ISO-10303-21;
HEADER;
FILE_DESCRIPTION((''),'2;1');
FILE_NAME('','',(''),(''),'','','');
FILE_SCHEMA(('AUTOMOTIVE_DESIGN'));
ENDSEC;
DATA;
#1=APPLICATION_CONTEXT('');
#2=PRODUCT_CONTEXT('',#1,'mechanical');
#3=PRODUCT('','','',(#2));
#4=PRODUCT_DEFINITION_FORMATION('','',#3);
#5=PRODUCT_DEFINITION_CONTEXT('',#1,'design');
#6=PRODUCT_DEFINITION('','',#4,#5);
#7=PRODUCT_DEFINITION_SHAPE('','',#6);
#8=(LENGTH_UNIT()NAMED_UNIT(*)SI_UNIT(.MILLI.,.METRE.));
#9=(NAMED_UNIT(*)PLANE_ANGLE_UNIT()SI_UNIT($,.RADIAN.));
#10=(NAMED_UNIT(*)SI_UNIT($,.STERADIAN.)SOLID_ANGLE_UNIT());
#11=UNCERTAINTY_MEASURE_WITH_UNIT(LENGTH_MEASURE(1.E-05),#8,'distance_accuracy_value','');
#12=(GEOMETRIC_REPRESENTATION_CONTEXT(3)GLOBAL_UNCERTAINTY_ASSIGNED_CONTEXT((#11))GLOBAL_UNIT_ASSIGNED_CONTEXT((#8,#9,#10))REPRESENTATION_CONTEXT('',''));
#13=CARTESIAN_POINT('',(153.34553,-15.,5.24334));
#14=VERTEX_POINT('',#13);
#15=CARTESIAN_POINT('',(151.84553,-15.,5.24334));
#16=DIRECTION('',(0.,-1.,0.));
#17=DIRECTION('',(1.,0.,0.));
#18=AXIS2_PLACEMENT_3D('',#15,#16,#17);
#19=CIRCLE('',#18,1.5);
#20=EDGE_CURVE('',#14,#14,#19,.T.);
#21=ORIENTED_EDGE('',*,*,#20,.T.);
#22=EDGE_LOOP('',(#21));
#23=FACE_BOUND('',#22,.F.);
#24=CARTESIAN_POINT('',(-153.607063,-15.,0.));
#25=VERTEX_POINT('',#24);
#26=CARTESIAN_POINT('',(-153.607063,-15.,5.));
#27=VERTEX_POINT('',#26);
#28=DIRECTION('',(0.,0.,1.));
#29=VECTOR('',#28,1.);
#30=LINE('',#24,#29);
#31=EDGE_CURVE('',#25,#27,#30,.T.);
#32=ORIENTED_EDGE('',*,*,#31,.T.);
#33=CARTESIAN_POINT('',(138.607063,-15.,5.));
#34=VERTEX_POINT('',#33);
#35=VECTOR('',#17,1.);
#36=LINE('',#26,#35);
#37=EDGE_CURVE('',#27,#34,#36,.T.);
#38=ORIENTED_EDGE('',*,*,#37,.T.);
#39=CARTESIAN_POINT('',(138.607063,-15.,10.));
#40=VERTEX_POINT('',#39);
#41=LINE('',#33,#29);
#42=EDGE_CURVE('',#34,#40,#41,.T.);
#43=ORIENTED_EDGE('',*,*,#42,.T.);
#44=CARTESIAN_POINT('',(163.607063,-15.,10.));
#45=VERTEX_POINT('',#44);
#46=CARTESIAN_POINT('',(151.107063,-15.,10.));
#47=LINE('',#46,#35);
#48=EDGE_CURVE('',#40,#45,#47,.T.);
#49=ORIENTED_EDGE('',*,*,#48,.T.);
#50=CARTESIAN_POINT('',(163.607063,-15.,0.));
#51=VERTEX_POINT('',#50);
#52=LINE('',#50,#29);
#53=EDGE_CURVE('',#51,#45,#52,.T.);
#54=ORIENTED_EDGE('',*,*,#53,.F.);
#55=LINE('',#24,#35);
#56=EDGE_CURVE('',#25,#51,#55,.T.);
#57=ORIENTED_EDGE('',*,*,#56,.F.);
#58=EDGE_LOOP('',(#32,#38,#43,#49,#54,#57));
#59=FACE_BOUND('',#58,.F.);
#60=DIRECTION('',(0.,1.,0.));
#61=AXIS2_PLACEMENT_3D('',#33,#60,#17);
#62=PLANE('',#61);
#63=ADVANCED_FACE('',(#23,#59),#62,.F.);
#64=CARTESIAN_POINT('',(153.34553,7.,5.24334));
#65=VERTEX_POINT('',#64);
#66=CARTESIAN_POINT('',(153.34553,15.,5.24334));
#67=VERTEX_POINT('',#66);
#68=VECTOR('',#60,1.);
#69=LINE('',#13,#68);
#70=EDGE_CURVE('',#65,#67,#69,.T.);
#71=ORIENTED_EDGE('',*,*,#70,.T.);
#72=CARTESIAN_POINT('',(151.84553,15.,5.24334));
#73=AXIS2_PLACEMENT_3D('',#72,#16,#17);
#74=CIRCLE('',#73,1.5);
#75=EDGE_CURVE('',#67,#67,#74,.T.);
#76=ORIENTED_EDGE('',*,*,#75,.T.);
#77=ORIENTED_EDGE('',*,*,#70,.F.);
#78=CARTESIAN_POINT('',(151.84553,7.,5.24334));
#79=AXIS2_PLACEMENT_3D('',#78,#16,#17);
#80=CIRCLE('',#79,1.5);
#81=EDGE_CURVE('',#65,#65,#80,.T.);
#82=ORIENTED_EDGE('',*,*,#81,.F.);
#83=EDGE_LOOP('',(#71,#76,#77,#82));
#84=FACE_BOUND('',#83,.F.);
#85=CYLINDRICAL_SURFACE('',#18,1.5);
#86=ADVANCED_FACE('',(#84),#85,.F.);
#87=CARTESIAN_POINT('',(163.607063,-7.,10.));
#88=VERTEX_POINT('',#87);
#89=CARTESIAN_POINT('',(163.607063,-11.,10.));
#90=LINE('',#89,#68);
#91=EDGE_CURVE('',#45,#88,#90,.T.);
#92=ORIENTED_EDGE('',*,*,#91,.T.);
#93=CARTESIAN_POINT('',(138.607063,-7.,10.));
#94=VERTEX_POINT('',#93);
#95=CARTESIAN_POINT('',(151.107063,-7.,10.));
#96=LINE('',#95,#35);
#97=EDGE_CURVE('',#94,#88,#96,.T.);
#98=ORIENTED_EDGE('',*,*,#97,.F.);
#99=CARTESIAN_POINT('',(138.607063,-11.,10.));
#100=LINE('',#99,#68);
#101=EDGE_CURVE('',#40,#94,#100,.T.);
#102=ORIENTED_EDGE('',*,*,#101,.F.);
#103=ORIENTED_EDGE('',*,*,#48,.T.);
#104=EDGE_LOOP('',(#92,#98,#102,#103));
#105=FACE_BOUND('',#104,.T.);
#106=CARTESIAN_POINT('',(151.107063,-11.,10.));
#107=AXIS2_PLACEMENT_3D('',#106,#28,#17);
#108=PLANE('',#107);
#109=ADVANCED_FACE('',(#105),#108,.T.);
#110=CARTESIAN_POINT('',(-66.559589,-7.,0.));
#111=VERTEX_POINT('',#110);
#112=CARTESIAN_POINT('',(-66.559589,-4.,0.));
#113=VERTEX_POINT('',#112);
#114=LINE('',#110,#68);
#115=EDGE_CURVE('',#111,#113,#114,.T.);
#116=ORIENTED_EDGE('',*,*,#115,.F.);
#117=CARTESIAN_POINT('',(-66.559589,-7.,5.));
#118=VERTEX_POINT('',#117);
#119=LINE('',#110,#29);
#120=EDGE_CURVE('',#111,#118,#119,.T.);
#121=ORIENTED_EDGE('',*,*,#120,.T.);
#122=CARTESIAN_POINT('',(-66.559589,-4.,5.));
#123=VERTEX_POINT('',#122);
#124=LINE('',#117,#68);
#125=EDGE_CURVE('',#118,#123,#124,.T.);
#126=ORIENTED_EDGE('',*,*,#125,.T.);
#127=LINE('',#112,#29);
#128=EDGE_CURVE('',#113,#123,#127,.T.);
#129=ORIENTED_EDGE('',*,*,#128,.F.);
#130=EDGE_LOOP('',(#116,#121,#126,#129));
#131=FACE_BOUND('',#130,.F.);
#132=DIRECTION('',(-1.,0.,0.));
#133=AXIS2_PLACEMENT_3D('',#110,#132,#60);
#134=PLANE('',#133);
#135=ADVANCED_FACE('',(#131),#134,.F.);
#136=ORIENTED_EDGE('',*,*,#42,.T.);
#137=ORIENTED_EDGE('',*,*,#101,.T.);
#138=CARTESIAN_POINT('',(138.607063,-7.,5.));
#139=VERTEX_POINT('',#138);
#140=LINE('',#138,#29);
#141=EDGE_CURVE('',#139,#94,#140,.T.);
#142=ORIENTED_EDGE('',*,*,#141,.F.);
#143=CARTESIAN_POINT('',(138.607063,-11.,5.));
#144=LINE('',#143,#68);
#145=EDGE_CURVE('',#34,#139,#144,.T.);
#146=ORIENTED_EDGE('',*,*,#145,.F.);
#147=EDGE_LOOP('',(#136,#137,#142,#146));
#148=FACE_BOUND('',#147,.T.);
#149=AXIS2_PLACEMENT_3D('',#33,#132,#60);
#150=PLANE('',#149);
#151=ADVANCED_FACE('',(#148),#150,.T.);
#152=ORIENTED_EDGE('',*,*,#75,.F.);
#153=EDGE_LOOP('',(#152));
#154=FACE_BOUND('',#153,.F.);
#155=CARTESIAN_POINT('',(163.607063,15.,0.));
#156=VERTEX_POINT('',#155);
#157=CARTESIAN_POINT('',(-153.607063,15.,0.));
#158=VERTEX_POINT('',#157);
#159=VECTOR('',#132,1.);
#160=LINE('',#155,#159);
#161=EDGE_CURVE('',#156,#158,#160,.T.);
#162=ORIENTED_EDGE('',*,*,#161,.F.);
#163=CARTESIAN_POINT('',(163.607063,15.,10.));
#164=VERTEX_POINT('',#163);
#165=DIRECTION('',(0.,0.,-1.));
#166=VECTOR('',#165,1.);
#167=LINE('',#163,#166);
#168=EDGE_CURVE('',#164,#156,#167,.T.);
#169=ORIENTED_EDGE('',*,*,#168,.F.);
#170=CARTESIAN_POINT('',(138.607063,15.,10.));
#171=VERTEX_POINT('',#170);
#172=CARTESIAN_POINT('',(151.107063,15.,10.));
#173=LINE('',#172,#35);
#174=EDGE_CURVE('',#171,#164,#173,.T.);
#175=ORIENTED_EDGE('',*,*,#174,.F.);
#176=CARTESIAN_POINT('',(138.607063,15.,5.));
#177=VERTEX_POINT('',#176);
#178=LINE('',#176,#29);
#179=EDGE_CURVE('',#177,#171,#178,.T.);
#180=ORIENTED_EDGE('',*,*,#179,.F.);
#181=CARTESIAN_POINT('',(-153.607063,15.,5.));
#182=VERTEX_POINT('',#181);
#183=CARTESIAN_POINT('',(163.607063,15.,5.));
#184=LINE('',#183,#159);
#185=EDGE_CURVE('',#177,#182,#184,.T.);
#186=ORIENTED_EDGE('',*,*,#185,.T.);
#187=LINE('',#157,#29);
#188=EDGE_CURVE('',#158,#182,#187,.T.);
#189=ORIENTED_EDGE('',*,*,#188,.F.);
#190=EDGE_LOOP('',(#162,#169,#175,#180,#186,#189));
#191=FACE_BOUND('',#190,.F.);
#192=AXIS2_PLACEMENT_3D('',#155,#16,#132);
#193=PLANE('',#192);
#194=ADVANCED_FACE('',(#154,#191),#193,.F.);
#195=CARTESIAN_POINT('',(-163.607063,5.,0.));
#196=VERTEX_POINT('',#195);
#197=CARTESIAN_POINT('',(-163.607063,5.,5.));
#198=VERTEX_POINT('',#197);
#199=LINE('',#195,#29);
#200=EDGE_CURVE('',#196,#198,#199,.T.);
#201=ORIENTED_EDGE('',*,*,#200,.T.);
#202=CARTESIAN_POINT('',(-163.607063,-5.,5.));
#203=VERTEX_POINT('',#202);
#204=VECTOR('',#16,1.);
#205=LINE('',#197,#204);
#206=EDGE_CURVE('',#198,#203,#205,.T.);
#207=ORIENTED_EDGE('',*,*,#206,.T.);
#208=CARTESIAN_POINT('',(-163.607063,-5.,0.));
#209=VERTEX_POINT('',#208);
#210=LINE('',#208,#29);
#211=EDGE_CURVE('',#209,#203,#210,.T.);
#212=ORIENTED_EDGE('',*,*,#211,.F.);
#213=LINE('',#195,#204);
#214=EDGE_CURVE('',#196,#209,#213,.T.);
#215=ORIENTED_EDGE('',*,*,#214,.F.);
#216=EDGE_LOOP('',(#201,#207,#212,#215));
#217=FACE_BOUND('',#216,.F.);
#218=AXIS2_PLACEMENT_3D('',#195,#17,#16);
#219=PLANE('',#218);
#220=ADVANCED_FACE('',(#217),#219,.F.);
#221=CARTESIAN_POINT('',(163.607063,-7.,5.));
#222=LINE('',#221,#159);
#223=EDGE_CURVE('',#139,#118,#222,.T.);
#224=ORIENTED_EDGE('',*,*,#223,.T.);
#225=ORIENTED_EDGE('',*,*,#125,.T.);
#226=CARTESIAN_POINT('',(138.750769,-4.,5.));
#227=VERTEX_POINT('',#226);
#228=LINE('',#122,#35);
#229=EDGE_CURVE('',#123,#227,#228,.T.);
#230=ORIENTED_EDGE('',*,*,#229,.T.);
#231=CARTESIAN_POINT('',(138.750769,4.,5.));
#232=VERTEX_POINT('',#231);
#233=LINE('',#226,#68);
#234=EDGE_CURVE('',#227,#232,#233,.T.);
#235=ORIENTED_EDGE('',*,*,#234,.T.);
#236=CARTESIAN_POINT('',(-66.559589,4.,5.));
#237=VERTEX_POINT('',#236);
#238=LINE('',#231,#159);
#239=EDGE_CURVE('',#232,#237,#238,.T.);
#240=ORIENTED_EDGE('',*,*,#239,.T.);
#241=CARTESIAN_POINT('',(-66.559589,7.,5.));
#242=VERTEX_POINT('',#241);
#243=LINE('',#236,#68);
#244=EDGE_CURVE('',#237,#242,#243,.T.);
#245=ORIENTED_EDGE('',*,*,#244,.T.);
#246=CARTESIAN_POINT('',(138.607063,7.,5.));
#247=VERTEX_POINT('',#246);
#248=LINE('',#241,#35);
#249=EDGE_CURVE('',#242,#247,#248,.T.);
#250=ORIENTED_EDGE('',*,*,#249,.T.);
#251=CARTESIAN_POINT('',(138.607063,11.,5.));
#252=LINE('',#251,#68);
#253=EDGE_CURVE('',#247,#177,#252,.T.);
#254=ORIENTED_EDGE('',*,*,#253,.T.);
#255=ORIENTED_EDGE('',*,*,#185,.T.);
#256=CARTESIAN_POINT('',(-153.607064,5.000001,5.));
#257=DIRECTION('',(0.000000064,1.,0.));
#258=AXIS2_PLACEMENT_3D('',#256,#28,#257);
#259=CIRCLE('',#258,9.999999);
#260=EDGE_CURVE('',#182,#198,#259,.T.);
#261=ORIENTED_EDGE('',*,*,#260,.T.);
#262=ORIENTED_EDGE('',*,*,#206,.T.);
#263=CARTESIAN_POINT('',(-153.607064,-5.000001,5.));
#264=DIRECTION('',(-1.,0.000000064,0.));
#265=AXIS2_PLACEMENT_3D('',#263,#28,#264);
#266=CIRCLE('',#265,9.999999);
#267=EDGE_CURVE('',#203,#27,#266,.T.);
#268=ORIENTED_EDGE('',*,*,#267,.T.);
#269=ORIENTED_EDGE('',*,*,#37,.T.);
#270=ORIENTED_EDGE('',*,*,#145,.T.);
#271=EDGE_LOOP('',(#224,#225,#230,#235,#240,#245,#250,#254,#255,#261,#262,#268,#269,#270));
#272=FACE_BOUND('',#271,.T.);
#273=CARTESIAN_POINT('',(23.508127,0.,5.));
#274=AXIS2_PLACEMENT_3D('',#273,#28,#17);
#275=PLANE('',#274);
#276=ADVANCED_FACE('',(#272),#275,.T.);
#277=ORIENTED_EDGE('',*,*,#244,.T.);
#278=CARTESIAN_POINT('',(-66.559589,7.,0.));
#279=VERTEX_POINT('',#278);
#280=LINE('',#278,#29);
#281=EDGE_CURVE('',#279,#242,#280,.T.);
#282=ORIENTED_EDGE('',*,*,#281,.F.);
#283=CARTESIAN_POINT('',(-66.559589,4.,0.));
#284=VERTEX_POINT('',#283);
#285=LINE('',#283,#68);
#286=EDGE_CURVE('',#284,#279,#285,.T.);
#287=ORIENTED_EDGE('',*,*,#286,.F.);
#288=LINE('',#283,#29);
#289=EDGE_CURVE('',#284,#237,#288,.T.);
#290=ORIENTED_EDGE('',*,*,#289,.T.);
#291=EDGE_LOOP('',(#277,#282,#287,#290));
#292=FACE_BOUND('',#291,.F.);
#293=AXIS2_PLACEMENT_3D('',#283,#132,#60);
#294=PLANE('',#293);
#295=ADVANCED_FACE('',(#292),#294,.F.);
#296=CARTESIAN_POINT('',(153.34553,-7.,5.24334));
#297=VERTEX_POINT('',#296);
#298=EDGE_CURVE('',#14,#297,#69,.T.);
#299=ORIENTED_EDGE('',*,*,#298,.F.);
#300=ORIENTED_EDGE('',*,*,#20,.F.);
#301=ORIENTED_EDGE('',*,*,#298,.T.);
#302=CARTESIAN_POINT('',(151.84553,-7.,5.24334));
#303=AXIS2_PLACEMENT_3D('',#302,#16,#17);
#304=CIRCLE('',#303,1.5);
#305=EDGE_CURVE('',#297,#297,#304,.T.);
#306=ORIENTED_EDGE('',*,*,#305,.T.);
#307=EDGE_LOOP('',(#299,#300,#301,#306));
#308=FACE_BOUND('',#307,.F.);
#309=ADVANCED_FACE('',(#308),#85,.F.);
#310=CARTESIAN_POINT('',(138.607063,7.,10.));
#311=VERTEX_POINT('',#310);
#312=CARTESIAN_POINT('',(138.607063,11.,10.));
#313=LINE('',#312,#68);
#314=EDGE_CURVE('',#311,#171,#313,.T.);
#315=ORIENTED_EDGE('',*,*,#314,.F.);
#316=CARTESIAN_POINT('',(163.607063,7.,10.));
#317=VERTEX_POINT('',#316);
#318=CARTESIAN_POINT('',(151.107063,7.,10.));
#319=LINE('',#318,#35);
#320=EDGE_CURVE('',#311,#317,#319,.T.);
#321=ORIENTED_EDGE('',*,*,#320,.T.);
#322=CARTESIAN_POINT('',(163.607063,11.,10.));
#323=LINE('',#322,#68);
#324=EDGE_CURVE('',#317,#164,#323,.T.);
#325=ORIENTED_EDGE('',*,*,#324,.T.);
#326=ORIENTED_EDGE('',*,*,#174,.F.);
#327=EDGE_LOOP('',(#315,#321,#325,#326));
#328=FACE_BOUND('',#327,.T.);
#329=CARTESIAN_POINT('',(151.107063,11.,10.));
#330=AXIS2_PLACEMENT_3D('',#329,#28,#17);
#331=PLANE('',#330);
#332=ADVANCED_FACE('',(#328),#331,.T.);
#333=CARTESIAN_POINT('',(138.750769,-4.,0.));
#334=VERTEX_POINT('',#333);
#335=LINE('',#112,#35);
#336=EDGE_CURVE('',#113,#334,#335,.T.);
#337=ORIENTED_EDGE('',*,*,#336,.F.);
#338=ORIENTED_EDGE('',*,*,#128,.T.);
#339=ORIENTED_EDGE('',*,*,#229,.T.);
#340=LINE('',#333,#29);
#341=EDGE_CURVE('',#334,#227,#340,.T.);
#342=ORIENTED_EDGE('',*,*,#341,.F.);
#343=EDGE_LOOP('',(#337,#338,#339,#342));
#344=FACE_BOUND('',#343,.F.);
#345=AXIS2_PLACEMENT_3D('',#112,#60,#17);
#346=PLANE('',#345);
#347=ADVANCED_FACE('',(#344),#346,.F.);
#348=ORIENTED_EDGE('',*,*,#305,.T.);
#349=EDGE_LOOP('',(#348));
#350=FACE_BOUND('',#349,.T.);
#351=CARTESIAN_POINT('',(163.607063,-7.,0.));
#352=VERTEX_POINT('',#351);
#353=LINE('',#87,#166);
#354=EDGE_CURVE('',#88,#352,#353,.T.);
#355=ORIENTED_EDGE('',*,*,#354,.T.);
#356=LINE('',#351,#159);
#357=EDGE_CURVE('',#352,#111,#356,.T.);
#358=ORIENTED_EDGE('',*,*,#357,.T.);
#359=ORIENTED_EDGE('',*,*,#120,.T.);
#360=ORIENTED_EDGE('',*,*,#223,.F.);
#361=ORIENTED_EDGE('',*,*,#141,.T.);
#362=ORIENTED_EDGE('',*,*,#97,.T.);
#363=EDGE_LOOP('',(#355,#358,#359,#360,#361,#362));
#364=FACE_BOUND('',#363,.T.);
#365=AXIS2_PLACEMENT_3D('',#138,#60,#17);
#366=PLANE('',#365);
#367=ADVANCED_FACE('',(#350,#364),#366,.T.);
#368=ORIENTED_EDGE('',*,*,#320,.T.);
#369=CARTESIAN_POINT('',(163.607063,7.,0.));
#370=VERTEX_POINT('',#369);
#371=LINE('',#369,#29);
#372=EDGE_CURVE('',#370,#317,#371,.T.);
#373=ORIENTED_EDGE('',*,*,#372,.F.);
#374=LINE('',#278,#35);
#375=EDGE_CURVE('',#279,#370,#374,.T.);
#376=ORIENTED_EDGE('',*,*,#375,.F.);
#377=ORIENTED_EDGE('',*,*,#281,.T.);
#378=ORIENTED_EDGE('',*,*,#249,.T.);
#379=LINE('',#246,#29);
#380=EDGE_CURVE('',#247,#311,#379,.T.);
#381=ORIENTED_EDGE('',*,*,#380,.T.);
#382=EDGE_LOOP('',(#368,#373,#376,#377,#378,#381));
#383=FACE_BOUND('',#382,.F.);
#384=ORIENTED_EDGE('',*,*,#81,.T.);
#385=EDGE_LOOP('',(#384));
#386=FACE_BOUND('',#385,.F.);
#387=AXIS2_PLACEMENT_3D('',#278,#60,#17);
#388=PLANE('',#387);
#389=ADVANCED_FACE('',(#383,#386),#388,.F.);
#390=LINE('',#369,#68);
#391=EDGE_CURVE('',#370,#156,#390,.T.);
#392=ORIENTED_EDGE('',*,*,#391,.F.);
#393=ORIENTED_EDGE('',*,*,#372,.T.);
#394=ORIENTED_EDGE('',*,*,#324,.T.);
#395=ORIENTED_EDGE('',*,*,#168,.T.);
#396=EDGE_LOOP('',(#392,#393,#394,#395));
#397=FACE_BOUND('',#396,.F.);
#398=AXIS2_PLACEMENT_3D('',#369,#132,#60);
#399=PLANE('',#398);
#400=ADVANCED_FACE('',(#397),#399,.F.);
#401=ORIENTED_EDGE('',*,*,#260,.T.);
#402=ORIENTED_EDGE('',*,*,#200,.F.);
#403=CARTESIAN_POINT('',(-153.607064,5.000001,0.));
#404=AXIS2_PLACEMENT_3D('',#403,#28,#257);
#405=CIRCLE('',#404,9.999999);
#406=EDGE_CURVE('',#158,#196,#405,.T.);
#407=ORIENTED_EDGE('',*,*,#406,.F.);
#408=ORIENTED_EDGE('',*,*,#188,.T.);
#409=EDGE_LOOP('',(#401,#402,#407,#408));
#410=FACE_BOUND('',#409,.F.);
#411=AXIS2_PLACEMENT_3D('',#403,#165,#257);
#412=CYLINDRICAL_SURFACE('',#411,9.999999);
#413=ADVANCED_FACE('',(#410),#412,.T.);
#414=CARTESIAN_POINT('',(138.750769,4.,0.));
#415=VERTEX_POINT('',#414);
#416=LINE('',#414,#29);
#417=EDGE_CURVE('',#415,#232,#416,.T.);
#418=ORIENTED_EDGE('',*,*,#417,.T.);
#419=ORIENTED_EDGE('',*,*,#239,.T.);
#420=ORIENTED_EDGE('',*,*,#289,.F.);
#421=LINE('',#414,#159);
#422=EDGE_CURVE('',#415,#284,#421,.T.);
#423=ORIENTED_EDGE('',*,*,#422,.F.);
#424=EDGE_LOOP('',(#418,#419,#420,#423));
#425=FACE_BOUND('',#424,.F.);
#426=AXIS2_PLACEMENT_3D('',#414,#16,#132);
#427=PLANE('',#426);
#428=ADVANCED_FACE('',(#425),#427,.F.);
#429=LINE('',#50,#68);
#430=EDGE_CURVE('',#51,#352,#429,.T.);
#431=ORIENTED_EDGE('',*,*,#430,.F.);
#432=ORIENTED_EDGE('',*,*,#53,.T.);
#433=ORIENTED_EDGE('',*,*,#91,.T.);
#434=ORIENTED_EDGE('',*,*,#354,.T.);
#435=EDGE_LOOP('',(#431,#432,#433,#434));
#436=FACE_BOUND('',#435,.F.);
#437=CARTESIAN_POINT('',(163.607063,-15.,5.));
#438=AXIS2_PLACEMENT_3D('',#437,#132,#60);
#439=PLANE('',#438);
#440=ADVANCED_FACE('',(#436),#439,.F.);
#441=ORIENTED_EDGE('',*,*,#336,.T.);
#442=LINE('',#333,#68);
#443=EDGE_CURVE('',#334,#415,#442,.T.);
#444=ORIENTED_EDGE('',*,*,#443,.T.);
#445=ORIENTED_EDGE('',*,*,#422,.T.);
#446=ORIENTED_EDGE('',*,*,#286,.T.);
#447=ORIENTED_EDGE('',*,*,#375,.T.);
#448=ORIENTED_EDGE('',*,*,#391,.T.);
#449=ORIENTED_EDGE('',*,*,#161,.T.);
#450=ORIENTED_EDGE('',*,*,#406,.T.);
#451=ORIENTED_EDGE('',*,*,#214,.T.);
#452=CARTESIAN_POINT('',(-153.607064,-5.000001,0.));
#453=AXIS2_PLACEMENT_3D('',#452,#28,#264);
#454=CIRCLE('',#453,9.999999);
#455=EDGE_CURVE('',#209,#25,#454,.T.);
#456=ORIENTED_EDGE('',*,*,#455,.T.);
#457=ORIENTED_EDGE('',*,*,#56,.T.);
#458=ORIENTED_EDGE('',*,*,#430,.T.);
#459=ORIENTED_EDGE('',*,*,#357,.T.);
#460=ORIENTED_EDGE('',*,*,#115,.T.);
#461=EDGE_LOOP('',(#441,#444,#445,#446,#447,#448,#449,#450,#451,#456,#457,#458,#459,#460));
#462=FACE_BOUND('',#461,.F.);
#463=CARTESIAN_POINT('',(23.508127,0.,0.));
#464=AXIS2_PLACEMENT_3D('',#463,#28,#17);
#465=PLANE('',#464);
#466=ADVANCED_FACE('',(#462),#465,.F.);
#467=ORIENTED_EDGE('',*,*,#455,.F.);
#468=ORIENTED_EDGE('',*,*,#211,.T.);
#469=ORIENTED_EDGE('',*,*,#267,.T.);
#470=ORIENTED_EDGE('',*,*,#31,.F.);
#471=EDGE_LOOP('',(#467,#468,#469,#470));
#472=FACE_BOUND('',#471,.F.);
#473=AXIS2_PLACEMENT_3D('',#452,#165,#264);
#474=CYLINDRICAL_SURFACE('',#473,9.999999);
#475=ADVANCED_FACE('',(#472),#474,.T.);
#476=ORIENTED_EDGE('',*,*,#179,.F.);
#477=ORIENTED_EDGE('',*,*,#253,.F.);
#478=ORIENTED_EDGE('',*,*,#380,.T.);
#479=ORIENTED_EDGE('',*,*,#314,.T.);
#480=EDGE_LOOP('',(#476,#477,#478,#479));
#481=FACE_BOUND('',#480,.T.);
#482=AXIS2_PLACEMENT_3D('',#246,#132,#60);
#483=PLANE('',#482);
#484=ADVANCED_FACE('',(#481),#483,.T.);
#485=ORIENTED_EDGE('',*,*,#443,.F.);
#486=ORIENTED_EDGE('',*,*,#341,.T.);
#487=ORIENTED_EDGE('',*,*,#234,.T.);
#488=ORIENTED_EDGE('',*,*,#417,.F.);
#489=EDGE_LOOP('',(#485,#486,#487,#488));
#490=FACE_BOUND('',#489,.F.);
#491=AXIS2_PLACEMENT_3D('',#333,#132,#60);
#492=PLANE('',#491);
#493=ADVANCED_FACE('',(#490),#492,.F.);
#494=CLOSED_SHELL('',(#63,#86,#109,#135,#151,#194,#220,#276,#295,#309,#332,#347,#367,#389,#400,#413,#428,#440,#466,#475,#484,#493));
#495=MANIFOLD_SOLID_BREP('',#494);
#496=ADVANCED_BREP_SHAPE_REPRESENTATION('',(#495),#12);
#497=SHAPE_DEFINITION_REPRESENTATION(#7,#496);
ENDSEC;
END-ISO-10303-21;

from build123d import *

# Parameters (mm, degrees)
F1_DEPTH = 5
F2_W     = 25
F2_H     = 8
F3_DEPTH = 5
F4_R     = 1.5
F5_DEPTH = 30.3


with BuildPart() as f1:
    # F0 (on Top) → F1 (new body)
    with BuildSketch(Plane.XY):
        with BuildLine():
            Line((-153.607063, -15), (163.607063, -15))
            Line((163.607063, -15), (163.607063, -7))
            Line((163.607063, -7), (-66.559589, -7))
            Line((-66.559589, -7), (-66.559589, -4))
            Line((-66.559589, -4), (138.750769, -4))
            Line((138.750769, -4), (138.750769, 4))
            Line((138.750769, 4), (-66.559589, 4))
            Line((-66.559589, 4), (-66.559589, 7))
            Line((-66.559589, 7), (163.607063, 7))
            Line((163.607063, 7), (163.607063, 15))
            Line((163.607063, 15), (-153.607063, 15))
            ThreePointArc((-153.607063, 15), (-160.678131, 12.071068), (-163.607063, 5))
            Line((-163.607063, 5), (-163.607063, -5))
            ThreePointArc((-163.607063, -5), (-160.678131, -12.071068), (-153.607063, -15))
        make_face()
    extrude(amount=F1_DEPTH)

    # F2 (on face) → F3 (join)
    with BuildSketch(Plane.XY.offset(5)):
        with Locations((151.107063, -11)):
            Rectangle(F2_W, F2_H)
        with Locations((151.107063, 11)):
            Rectangle(F2_W, F2_H)
    extrude(amount=F3_DEPTH)

    # F4 (on face) → F5 (cut)
    with BuildSketch(Plane.XZ.offset(15)):
        with Locations((151.84553, 5.24334)):
            Circle(F4_R)
    extrude(amount=-F5_DEPTH, mode=Mode.SUBTRACT)


solid = f1.part
